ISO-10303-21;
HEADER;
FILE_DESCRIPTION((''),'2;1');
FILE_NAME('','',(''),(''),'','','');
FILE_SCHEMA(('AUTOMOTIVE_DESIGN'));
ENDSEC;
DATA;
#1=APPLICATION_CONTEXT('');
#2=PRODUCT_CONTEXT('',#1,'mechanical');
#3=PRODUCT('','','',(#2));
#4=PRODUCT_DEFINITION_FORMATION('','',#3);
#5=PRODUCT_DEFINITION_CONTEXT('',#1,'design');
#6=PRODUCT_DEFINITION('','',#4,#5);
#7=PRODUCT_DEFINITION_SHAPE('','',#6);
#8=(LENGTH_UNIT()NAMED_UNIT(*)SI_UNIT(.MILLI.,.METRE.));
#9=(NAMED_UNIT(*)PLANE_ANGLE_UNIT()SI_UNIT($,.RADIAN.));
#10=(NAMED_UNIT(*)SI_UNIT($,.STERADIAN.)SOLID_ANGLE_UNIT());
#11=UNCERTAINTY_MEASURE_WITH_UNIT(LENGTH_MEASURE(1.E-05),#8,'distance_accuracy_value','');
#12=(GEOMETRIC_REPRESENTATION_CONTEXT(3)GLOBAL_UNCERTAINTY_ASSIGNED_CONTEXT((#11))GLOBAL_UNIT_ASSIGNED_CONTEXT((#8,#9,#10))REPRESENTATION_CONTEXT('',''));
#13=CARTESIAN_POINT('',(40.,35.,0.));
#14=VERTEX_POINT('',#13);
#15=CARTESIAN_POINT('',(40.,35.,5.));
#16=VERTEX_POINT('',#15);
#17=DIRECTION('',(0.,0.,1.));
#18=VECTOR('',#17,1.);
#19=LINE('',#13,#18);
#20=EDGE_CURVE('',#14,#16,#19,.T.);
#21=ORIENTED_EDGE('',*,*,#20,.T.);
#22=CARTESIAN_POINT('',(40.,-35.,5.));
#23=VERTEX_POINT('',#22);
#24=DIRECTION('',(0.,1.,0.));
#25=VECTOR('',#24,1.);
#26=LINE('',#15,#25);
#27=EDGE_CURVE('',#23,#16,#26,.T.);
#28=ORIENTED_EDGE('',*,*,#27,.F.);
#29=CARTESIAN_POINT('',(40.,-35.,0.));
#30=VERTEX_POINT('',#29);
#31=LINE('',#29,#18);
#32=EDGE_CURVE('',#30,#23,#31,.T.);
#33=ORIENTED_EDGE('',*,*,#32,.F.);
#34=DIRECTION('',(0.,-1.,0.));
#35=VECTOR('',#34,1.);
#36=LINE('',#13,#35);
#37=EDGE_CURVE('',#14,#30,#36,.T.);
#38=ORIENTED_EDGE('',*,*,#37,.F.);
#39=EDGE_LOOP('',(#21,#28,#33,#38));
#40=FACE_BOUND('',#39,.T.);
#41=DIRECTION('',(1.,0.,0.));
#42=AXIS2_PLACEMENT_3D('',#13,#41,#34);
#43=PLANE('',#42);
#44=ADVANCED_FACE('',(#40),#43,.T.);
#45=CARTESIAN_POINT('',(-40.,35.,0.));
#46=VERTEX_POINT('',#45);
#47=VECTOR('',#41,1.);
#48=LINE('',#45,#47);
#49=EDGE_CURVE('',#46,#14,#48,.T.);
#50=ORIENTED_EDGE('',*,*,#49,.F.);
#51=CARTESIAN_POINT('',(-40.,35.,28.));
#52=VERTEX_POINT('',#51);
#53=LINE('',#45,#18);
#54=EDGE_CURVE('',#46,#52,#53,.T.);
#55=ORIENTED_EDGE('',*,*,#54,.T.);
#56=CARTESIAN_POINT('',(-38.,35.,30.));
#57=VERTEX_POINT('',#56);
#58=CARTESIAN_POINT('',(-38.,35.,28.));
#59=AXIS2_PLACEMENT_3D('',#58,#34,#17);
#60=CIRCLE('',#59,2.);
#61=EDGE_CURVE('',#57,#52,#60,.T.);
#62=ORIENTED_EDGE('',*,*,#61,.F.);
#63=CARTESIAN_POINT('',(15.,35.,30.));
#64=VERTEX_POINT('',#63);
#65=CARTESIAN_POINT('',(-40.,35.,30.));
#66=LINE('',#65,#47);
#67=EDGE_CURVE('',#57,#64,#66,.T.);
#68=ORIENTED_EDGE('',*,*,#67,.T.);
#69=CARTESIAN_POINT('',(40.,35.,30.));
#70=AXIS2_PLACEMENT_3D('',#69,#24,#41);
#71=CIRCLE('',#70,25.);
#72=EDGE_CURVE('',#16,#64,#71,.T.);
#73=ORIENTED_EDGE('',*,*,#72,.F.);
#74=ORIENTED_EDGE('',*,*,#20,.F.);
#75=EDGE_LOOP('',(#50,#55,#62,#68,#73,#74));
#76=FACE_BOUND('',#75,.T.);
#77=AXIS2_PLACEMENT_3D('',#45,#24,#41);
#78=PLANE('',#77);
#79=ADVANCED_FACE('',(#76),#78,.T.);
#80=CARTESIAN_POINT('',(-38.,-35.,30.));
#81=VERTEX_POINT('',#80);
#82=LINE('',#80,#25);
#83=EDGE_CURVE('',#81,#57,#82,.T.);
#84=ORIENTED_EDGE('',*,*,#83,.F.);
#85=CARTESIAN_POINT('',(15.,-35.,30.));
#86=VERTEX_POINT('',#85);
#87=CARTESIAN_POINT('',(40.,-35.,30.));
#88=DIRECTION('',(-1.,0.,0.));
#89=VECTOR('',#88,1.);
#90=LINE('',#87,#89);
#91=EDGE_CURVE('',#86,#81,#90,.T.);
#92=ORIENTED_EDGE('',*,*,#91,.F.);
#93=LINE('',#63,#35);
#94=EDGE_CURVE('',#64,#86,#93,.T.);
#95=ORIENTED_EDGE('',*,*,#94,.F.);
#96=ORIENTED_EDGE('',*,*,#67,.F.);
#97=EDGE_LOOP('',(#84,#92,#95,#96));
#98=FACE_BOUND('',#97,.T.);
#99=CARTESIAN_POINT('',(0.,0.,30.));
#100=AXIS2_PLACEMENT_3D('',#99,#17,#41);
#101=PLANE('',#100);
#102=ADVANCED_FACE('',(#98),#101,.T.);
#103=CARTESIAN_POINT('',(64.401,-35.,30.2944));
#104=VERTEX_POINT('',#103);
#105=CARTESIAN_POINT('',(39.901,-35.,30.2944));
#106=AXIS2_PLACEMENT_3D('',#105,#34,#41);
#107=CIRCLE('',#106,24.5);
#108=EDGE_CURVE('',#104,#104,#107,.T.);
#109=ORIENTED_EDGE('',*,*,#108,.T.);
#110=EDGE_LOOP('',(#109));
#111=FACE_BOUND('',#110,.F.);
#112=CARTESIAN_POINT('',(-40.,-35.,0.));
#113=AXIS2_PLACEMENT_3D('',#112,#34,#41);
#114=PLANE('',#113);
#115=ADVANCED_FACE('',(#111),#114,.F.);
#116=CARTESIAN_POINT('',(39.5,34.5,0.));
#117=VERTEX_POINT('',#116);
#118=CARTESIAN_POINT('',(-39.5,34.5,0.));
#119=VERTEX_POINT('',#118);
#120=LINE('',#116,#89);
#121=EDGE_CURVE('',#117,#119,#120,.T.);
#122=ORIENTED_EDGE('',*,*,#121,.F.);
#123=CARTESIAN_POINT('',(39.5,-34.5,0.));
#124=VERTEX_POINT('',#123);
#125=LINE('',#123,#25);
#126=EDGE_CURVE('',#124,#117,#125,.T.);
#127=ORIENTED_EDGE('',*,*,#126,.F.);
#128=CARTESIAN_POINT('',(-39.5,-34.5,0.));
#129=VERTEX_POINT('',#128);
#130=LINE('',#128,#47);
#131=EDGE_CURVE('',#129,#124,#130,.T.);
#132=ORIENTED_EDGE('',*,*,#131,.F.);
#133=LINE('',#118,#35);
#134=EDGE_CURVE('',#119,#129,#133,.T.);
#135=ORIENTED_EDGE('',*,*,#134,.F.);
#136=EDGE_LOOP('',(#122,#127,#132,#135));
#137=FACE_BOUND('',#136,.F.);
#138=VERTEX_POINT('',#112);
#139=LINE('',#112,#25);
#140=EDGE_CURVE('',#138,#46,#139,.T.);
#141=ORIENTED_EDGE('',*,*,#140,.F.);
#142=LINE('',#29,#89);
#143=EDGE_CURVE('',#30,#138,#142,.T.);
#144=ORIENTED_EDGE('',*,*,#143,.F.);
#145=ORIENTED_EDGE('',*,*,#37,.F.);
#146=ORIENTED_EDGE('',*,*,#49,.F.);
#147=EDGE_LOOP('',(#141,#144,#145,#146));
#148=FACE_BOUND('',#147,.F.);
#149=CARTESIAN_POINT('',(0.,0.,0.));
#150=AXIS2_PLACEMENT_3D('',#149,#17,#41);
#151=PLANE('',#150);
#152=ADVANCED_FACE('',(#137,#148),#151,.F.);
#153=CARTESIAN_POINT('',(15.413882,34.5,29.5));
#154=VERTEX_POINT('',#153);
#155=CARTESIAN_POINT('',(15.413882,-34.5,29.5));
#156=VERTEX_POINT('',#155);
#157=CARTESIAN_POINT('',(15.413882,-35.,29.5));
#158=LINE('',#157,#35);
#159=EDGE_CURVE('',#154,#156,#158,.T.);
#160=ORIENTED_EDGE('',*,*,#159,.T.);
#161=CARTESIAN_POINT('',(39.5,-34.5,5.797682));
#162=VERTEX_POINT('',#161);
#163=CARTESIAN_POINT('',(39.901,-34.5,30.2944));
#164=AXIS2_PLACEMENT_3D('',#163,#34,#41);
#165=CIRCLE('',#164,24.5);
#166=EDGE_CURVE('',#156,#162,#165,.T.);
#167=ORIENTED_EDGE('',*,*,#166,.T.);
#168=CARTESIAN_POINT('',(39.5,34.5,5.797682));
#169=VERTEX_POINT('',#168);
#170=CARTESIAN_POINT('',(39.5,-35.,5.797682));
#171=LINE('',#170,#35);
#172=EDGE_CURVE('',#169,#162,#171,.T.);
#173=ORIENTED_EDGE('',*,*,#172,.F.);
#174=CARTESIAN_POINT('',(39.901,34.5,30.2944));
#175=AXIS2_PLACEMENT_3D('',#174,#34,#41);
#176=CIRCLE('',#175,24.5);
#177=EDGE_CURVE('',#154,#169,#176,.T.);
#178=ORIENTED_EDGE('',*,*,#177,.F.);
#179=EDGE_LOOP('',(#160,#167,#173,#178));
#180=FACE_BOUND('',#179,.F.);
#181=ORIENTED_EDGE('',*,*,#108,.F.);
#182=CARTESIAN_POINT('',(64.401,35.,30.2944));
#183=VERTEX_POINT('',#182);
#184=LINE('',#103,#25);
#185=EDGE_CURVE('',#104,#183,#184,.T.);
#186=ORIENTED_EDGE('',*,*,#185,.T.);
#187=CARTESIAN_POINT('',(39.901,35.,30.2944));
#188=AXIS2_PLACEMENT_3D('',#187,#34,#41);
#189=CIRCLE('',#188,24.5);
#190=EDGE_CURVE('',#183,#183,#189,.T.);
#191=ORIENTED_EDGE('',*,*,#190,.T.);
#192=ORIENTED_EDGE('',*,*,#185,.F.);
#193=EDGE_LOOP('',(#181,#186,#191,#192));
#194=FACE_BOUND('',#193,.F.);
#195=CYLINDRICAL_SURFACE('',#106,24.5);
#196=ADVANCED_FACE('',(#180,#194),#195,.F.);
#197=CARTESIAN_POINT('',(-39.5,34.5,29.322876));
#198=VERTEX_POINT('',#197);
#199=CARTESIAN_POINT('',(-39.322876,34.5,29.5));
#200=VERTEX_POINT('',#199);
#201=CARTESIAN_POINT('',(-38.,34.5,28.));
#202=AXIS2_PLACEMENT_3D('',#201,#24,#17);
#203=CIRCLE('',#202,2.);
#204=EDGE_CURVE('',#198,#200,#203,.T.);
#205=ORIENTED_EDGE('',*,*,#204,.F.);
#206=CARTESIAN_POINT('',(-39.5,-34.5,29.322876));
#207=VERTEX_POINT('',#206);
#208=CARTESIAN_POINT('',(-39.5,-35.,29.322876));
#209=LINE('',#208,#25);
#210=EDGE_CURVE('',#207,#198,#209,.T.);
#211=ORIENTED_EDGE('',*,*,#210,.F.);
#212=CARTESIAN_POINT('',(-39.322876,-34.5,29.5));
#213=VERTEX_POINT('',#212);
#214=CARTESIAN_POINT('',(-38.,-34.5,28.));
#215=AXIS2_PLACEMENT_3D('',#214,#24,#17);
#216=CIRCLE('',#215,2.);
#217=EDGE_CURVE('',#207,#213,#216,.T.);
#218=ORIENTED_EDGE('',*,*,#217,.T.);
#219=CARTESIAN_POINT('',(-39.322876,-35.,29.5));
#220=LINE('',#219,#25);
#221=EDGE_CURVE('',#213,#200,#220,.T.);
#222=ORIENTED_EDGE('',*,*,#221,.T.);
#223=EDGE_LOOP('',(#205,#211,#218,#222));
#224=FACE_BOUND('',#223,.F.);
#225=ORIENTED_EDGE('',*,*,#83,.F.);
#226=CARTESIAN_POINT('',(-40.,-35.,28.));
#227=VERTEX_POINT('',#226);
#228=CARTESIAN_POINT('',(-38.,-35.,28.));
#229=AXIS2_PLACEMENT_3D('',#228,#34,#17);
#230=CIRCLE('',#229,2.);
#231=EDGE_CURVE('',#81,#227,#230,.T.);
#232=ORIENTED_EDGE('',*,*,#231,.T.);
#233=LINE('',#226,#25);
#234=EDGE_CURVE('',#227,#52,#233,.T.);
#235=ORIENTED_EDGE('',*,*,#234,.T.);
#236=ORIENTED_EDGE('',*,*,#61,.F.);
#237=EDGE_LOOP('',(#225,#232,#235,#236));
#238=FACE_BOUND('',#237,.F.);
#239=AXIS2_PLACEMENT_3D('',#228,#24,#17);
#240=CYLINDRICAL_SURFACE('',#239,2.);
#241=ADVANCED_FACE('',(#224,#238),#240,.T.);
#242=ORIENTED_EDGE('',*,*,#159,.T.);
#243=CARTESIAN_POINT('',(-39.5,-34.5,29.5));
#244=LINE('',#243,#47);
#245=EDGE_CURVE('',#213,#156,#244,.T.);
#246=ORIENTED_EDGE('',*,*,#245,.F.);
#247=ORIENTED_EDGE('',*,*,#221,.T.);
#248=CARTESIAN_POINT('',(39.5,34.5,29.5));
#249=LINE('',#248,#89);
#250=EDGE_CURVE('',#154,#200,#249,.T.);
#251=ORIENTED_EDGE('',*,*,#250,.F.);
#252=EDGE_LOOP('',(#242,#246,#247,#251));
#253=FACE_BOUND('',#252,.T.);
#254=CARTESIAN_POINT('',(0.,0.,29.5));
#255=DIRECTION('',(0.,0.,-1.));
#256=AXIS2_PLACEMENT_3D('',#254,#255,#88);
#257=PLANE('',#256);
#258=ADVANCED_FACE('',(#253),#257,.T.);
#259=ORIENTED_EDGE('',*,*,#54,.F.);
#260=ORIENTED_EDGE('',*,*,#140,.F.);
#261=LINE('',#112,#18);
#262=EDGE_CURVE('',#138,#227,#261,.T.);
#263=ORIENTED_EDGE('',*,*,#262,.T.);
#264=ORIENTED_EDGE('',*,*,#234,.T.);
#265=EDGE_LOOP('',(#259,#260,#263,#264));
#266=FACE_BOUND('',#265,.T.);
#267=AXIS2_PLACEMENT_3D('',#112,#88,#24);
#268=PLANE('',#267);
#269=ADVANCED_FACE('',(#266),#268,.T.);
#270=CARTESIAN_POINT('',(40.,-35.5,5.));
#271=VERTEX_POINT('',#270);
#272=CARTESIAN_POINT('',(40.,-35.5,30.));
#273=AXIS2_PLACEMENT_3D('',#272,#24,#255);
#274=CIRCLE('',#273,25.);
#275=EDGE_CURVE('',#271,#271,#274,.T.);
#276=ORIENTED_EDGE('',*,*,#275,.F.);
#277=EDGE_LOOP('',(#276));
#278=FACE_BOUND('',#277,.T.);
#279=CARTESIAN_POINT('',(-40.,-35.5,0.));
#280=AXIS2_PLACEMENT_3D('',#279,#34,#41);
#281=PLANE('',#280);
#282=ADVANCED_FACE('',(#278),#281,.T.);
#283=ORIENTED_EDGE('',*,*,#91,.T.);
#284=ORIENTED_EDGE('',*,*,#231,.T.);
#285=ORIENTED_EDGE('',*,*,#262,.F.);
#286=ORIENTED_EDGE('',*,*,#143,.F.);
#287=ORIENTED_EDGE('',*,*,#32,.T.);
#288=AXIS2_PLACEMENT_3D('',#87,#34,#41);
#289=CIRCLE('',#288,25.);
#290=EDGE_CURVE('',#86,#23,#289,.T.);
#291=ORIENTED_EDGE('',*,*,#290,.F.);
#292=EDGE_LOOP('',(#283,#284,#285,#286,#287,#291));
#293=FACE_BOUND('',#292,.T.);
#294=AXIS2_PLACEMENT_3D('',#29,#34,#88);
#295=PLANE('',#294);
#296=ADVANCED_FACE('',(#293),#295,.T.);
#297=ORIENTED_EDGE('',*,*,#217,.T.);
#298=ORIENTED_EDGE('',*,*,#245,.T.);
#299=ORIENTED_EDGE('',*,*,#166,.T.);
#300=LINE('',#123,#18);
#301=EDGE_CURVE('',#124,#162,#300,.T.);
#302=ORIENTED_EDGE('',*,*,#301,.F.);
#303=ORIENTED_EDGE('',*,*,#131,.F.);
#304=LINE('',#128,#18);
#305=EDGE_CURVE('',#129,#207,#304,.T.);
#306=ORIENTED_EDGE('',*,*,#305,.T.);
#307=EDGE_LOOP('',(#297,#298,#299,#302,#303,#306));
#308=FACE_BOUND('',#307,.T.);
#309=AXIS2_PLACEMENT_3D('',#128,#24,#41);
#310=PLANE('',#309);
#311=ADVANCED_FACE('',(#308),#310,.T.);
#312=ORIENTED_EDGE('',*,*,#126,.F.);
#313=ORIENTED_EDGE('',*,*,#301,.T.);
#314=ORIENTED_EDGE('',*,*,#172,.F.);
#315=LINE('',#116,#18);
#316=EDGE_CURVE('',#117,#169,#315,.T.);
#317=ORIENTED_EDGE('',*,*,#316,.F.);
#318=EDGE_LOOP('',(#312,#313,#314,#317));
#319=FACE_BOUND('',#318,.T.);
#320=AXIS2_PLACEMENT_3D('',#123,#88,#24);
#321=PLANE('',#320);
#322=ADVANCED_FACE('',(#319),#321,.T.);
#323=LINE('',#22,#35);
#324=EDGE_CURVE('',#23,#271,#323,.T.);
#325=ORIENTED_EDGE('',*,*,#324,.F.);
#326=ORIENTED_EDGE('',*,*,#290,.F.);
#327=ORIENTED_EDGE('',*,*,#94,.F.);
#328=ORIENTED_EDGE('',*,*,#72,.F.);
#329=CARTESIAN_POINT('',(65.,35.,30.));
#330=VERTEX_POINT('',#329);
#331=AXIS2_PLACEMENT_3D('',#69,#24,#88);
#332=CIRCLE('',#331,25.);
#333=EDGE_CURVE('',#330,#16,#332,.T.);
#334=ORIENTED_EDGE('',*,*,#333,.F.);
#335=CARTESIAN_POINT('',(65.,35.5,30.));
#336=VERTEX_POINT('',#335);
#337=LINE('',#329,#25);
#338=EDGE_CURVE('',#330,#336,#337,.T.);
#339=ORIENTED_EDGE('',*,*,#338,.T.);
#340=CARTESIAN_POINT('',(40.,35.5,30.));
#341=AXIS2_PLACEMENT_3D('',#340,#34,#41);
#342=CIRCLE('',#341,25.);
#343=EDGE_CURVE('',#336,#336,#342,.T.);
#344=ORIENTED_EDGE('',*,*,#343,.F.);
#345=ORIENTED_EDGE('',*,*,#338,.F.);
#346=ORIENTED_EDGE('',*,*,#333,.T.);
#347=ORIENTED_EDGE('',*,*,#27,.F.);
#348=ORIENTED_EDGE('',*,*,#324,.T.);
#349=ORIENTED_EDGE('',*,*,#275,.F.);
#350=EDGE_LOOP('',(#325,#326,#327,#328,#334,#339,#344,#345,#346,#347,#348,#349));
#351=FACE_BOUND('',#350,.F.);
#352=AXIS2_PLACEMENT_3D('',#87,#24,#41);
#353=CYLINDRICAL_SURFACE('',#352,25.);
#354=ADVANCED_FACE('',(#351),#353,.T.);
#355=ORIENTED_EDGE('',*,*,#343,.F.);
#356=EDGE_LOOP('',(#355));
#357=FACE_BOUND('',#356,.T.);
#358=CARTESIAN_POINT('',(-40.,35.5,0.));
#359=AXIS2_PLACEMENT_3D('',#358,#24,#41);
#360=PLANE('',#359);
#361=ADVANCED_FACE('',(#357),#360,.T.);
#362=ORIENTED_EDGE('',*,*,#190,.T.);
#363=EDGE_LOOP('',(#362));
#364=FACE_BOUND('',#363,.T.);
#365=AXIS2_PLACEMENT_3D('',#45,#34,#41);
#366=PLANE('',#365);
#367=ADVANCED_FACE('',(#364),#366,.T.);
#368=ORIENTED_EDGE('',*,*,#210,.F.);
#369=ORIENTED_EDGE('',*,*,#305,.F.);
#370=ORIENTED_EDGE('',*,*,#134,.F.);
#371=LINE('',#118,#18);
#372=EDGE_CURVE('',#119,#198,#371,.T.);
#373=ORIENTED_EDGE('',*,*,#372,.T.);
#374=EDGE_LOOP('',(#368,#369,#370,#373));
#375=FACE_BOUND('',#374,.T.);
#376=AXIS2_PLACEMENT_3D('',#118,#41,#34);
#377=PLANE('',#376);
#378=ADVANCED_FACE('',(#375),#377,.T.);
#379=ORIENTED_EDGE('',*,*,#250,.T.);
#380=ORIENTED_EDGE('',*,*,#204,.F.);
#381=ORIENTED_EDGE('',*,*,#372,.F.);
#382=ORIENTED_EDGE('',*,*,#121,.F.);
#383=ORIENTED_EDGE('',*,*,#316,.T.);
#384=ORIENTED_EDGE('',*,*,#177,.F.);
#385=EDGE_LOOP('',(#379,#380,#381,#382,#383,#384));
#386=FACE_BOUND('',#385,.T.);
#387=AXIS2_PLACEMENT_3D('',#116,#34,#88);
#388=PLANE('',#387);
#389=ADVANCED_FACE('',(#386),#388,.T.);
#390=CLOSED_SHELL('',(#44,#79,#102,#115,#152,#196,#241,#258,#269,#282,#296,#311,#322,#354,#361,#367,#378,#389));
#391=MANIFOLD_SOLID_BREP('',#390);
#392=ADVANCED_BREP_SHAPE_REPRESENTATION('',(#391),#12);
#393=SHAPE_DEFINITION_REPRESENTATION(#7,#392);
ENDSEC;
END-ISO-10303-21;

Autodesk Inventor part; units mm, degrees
ref_plane "YZ Plane" through (0, 0, 0) normal (1, 0, 0) x (0, 1, 0)
ref_plane "XZ Plane" through (0, 0, 0) normal (0, 1, 0) x (-1, 0, 0)
ref_plane "XY Plane" through (0, 0, 0) normal (0, 0, 1) x (1, 0, 0)
sketch "Sketch1" plane through (0, 0, 0) normal (0, 0, 1) x (1, 0, 0)
  line L0 (-40, 35) -> (40, 35)
  line L1 (40, 35) -> (40, -35)
  line L2 (40, -35) -> (-40, -35)
  line L3 (-40, -35) -> (-40, 35)
  line L4 (-40, 35) -> (40, -35) construction
  line L5 (40, 35) -> (-40, -35) construction
  point P0 (0, 0)
  dimension "d0" = 70
  dimension "d1" = 80
extrude "Extrusion1" add sketch "Sketch1" along normal blind 30
sketch "Sketch2" plane through (-40, 35, 0) normal (0, 1, 0) x (1, 0, 0)
  line L0 (80, -30) -> (0, -30) projected
  circle A0 centre (80, -30) radius 25
  point P0 (40, 0)
  dimension "d4" = 50
extrude "Extrusion2" add sketch "Sketch2" against normal blind 70
extrude "Extrusion3" add sketch "Sketch2" along normal blind 0.5
sketch "Sketch3" plane through (-40, -35, 0) normal (0, -1, 0) x (1, 0, 0)
  circle A0 centre (79.901, 30.2944) radius 25
  line L0 (53.0517, 30.2944) -> (54.901, 30.2944)
  circle A1 centre (79.901, 30.2944) radius 24.5
  point P0 (40, 0)
  dimension "d9" = 50
  dimension "d19" = 49
fillet "Fillet1" radius 2 1 edges at (-40, 0, 30)
sketch "Sketch4" plane through (0, 0, 0) normal (0, 0, -1) x (-1, 0, 0)
  line L0 (40, -35) -> (38, -35) projected
  line L1 (40, -35) -> (39, -35)
  line L2 (-40, 35) -> (-15, 35) projected
  line L3 (-40, 35) -> (-39, 35)
  line L4 (39.5, -34.5) -> (-39.5, -34.5)
  line L5 (-39.5, -34.5) -> (-39.5, 34.5)
  line L6 (-39.5, 34.5) -> (39.5, 34.5)
  line L7 (39.5, 34.5) -> (39.5, -34.5)
  line L8 (40, -35) -> (40, 35) projected
  line L9 (-40, 35) -> (-40, -35) projected
  line L10 (-40, -35) -> (40, -35) projected
  line L11 (40, 35) -> (-40, 35) projected
  point P0 (0, 0)
  dimension "d24" = 0.5
  dimension "d25" = 0.5
  dimension "d26" = 0.5
  dimension "d27" = 0.5
extrude "Extrusion6" cut sketch "Sketch3" against normal blind 70 contours A1
sketch "Sketch5" plane through (-40, -35, 0) normal (0, -1, 0) x (1, 0, 0)
  arc A0 (80, 5) -> (55, 30) centre (80, 30) ccw projected
  circle A1 centre (80, 30) radius 25
  point P0 (40, 0)
extrude "Extrusion7" add sketch "Sketch5" along normal blind 0.5
extrude "Extrusion8" cut sketch "Sketch4" against normal blind 29.5 contours L4 L5 L6 L7
equation "\"BendRadius\" = Thickness"
equation "\"BendReliefWidth\" = Thickness"
equation "\"BendReliefDepth\" = 0.5 * Thickness"
equation "\"CornerReliefSize\" = 4 * Thickness"
equation "\"MinimumRemnant\" = 2 * Thickness"
equation "\"TransitionRadius\" = BendRadius"
equation "\"JacobiRadiusSize\" = Thickness"
equation "\"GapSize\" = Thickness"
equation "\"Thickness\" = 0.5"
properties part number "Battery Box" material "Steel, Mild"
